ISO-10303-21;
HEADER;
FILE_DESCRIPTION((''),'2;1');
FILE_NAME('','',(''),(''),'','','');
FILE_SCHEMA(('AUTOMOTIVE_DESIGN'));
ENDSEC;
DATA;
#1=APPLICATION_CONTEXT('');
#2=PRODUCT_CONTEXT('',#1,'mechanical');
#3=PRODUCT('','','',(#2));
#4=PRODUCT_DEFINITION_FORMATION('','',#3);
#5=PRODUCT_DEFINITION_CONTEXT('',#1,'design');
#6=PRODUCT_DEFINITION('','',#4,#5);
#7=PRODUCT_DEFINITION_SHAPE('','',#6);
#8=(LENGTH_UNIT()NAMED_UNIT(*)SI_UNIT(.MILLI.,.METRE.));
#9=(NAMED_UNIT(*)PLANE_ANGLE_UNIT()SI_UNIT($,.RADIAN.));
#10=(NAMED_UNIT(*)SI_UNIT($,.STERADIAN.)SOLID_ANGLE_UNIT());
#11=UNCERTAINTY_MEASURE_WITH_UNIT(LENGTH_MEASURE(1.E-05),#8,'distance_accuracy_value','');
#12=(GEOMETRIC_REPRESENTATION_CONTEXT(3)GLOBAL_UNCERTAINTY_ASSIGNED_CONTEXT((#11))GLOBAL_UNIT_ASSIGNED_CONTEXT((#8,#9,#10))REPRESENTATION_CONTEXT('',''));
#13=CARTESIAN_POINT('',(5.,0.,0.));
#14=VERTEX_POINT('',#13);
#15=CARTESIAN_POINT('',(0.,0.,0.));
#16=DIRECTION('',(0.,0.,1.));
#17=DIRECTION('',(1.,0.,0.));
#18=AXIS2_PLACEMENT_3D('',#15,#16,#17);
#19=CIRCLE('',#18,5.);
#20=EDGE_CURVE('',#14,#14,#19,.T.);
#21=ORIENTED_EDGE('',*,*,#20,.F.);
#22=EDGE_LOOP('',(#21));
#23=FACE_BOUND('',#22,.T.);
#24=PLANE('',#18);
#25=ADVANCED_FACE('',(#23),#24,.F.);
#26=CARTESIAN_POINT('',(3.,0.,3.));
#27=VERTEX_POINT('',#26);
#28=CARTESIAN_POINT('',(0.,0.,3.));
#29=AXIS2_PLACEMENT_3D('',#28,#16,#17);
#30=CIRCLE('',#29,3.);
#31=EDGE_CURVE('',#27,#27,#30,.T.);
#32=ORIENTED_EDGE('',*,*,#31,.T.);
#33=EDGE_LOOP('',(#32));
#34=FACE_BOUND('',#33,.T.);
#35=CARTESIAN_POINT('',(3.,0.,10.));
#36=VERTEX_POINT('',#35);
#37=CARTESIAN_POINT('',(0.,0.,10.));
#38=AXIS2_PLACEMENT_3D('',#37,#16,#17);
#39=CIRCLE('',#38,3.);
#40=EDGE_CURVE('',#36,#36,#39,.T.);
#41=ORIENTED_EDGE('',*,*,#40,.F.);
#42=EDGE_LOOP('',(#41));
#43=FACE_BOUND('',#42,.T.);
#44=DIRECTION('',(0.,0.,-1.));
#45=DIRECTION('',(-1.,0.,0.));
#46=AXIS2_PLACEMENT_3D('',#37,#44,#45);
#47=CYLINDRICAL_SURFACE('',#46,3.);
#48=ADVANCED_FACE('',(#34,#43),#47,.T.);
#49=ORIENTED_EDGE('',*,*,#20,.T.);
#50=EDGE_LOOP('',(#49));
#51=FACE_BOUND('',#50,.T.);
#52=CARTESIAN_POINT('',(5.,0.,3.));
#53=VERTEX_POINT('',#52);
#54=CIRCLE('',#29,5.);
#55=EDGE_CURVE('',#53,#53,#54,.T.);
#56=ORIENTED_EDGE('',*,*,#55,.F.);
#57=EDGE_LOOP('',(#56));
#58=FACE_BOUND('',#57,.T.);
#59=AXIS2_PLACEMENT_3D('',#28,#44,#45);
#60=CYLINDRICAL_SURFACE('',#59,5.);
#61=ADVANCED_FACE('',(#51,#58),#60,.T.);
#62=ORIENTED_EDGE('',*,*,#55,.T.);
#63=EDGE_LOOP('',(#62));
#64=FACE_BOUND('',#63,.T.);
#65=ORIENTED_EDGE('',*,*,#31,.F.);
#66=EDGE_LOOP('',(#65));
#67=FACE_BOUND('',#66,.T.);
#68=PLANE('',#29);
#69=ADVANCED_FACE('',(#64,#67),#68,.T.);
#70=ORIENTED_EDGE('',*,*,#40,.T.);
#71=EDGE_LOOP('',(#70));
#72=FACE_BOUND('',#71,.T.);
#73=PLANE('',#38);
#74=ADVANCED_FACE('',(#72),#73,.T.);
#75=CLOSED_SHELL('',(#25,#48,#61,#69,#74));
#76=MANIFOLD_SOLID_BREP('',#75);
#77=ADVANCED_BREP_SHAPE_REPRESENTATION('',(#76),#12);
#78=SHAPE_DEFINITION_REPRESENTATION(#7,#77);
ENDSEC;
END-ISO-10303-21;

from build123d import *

# Parameters (mm, degrees)
SKETCH1_R           = 5
BOSS_EXTRUDE1_DEPTH = 3
SKETCH2_R           = 3
BOSS_EXTRUDE2_DEPTH = 7


with BuildPart() as part:
    # Sketch1 → Boss-Extrude1 (new body)
    with BuildSketch(Plane.XY):
        Circle(SKETCH1_R)
    extrude(amount=BOSS_EXTRUDE1_DEPTH)

    # Sketch2 → Boss-Extrude2 (add)
    with BuildSketch(Plane.XY.offset(3)):
        Circle(SKETCH2_R)
    extrude(amount=BOSS_EXTRUDE2_DEPTH)


solid = part.part
